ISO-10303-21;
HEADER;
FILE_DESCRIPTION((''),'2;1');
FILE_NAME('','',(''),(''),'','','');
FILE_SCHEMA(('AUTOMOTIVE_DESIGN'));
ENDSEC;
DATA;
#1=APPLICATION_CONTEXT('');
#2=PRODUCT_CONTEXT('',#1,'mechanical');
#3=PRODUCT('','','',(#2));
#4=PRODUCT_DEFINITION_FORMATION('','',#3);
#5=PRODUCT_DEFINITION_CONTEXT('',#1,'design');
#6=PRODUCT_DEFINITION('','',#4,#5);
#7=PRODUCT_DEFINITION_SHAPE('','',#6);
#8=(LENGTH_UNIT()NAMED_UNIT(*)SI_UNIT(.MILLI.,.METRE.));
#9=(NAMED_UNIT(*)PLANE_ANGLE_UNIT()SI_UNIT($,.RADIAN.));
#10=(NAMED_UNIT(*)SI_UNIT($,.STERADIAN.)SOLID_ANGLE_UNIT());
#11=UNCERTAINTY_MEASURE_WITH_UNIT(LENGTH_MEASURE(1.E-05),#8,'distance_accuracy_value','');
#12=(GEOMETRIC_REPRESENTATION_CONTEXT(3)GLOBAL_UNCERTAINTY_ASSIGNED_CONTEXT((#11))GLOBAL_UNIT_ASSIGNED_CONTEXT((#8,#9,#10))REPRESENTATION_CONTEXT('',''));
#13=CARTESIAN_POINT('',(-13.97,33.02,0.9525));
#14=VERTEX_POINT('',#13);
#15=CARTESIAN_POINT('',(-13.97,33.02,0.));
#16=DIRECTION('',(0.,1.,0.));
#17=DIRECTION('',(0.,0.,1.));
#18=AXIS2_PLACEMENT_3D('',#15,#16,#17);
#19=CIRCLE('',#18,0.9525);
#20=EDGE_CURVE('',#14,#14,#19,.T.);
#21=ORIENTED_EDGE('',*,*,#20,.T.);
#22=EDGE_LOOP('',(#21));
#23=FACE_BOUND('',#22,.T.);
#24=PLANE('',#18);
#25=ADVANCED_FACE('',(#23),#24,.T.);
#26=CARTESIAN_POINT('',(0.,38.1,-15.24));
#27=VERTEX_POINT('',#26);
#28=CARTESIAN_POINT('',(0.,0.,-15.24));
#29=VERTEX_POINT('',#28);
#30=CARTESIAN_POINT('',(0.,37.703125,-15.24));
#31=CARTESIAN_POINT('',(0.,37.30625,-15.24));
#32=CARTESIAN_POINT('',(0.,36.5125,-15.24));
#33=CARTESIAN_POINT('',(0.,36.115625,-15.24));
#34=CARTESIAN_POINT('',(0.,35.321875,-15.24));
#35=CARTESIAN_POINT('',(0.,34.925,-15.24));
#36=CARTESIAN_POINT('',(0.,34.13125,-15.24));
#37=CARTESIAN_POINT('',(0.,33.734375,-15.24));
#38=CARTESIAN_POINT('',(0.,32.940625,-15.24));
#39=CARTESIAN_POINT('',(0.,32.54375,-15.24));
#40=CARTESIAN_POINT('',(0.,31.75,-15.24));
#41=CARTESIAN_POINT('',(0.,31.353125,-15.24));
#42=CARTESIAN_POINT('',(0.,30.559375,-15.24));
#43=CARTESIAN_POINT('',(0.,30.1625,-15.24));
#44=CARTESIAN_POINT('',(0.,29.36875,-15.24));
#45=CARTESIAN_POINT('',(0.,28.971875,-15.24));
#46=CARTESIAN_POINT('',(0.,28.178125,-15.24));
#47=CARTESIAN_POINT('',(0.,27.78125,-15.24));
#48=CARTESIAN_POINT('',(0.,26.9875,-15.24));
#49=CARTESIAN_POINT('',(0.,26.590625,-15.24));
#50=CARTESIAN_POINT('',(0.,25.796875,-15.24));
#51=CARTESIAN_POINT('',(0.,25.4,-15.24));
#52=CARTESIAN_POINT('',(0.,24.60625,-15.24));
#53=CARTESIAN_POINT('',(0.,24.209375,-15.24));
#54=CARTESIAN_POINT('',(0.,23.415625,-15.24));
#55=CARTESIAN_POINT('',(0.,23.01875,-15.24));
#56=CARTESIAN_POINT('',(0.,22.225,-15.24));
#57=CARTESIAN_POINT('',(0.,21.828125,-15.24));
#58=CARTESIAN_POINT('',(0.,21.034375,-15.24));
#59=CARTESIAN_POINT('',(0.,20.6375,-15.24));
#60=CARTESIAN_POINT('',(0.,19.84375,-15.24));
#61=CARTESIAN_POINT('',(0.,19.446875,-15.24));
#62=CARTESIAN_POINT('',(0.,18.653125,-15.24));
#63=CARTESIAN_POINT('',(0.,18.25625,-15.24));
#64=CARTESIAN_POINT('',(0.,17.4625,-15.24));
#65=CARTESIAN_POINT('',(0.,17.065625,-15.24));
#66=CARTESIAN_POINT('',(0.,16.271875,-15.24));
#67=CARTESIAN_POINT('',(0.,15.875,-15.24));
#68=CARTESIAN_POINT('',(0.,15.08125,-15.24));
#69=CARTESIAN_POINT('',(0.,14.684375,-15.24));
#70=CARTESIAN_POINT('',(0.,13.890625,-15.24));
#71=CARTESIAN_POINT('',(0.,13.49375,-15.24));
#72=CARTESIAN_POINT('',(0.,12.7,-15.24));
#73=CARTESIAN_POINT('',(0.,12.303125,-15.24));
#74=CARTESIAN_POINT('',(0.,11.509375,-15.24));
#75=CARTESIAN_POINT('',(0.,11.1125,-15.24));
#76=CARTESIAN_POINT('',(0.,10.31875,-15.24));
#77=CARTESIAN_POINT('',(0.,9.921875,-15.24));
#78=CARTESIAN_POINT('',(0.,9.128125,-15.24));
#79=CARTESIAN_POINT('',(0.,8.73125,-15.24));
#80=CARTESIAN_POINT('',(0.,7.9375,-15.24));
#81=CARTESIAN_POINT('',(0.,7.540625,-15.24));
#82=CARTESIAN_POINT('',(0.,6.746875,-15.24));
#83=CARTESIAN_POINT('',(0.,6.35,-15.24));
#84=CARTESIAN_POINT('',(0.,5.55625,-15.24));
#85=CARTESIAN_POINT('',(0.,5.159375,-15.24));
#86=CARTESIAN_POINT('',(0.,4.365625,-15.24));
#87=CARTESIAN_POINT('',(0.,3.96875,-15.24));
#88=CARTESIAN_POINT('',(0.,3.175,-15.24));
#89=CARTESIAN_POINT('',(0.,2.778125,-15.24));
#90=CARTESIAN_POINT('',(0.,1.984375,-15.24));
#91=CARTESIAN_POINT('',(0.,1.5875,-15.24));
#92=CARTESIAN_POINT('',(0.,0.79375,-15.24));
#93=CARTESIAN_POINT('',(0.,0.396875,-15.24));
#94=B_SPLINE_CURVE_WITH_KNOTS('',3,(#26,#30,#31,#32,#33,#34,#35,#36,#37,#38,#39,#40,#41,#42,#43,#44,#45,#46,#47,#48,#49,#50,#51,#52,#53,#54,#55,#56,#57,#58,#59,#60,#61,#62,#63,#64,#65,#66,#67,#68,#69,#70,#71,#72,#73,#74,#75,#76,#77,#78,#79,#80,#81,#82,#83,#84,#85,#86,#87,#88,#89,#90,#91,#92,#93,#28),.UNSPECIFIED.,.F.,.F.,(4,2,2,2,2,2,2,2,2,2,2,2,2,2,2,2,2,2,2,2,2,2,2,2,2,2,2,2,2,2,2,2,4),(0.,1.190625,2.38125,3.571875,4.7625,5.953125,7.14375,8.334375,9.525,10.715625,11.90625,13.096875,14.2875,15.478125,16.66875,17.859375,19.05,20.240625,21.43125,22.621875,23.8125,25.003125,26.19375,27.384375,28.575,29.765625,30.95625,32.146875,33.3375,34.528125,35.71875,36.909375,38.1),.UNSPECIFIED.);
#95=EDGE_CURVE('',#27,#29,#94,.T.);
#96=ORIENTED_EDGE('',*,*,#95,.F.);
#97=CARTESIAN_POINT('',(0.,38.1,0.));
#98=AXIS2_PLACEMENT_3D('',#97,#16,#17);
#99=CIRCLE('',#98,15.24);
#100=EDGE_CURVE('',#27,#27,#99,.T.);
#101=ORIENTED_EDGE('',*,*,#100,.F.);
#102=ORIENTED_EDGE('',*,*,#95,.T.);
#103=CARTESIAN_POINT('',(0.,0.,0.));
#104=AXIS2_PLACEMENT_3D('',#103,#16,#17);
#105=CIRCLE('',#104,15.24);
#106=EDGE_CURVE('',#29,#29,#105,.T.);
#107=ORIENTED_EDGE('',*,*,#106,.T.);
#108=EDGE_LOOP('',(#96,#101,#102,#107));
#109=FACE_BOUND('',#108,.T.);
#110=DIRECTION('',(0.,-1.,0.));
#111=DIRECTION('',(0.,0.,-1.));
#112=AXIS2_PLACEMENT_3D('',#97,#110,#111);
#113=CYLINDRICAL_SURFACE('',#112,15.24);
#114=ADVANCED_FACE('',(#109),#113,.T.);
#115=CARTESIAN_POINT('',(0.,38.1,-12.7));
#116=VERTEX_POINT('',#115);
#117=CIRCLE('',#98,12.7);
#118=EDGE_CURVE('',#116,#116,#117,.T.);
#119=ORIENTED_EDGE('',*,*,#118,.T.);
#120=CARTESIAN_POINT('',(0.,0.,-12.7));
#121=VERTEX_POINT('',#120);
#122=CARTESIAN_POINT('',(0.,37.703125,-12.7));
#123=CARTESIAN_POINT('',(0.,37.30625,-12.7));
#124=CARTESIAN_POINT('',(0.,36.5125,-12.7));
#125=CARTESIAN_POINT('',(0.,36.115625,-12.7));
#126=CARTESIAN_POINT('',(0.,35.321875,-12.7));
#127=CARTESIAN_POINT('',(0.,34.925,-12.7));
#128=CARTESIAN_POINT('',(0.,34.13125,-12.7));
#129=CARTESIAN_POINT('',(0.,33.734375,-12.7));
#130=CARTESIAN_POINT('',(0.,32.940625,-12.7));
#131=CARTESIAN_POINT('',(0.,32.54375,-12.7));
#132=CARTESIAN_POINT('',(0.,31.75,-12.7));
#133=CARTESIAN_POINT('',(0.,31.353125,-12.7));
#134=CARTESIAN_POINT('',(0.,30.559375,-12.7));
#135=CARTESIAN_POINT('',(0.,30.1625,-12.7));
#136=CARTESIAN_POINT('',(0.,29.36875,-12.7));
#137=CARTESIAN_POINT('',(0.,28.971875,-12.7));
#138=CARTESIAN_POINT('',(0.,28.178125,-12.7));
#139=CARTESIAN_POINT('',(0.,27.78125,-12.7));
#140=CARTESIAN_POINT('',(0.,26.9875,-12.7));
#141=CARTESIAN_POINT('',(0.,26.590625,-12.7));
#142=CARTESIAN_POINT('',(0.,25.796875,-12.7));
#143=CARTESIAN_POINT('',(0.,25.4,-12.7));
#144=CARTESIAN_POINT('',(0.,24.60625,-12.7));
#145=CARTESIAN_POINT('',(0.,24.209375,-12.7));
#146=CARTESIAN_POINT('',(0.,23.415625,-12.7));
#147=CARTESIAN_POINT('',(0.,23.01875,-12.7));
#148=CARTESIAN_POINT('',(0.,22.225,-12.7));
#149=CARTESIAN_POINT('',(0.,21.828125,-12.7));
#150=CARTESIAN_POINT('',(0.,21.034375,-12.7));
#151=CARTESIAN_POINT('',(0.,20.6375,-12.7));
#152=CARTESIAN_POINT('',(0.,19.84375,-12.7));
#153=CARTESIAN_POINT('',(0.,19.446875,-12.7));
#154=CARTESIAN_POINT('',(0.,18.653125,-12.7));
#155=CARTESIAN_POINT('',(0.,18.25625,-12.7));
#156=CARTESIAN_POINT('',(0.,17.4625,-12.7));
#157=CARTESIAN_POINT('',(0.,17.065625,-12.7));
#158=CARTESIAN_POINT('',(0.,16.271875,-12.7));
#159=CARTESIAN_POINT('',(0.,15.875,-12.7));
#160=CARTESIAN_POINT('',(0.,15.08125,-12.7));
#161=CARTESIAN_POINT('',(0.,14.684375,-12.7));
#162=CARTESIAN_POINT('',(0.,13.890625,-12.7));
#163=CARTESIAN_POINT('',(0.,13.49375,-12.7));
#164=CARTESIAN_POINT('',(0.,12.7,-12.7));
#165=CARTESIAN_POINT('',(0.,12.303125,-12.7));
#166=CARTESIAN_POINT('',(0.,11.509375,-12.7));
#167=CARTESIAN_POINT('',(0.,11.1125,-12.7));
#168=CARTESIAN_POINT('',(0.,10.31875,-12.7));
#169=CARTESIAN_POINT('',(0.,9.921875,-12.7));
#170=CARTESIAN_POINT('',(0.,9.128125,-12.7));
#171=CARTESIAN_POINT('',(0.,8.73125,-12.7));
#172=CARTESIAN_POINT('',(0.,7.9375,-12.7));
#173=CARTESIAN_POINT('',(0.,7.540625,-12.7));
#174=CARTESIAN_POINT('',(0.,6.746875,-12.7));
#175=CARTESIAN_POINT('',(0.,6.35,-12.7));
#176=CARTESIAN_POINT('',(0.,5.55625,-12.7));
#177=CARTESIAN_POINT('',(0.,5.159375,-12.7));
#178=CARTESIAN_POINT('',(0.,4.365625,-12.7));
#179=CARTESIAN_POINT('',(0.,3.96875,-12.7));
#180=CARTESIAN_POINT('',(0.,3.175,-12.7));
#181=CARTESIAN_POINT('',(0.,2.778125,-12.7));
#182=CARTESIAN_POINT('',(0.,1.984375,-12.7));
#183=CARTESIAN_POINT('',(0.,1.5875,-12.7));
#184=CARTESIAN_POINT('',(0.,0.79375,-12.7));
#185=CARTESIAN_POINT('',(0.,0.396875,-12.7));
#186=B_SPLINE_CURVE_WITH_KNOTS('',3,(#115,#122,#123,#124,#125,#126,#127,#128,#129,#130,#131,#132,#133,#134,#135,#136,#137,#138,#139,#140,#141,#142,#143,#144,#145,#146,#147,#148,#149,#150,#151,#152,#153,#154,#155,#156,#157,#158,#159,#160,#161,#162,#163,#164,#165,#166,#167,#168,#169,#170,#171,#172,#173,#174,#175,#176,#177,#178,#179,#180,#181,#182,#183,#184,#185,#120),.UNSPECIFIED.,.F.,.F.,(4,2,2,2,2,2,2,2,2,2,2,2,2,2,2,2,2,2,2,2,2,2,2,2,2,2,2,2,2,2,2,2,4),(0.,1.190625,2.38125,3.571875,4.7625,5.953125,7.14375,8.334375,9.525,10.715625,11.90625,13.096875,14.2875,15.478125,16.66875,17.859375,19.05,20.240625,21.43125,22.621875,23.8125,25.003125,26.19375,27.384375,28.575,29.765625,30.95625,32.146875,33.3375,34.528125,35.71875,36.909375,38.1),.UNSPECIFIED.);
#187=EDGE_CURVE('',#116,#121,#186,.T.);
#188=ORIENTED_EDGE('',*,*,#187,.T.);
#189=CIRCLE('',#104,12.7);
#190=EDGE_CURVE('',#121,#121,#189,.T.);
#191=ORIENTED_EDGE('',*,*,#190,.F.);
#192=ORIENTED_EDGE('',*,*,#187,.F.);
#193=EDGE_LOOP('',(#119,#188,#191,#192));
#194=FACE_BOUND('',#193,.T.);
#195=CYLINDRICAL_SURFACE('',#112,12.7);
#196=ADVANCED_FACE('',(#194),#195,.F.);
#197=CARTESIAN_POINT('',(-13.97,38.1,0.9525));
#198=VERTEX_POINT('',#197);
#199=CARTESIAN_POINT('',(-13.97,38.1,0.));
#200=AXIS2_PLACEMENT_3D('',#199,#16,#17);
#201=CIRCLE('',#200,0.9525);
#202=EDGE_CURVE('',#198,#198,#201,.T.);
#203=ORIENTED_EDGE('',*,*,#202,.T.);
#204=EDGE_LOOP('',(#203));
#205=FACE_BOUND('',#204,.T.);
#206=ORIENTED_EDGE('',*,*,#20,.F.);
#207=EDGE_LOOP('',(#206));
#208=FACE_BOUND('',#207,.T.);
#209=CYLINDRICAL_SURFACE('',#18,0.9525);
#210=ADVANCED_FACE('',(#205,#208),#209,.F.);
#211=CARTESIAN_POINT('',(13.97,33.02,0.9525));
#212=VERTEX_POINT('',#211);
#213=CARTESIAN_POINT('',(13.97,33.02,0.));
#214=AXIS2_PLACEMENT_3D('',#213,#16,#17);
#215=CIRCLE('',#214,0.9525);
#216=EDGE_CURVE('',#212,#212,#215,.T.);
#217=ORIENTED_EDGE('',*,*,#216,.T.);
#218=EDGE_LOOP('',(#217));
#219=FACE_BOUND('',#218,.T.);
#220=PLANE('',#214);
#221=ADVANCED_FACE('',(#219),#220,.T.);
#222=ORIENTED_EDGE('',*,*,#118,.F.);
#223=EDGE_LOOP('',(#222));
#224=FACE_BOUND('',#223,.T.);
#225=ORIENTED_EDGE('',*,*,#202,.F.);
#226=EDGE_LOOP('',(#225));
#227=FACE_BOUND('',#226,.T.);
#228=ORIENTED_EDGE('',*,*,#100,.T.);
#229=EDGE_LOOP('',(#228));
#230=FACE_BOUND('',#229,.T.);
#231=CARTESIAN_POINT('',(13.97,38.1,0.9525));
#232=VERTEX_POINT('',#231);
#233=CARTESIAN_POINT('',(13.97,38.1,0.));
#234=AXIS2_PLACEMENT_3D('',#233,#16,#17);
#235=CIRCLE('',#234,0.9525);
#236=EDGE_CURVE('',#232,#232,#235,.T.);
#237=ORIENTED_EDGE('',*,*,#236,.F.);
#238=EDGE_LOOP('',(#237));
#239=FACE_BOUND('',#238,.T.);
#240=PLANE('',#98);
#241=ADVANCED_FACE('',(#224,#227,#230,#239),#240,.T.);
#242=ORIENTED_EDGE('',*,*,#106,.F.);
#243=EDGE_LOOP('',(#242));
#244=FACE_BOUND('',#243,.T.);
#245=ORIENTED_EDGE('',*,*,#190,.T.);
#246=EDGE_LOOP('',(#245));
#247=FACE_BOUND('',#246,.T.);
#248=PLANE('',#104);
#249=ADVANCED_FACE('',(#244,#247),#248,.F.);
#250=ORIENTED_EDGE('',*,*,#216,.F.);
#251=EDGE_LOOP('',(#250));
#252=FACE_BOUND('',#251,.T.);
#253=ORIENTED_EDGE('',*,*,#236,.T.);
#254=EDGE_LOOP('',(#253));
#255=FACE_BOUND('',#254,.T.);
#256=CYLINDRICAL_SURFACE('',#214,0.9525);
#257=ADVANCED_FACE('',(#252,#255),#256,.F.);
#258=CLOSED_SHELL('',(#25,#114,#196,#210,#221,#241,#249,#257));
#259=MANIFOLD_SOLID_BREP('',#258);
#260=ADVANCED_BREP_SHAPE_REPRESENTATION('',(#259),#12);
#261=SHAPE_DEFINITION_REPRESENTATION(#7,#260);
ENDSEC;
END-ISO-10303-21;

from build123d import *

# Parameters (mm, degrees)
SKETCH1_R           = 15.24
SKETCH1_R_2         = 12.7
BOSS_EXTRUDE1_DEPTH = 38.1
SKETCH2_R           = 0.9525
CUT_EXTRUDE1_DEPTH  = 5.08


with BuildPart() as part:
    # Sketch1 → Boss-Extrude1 (new body)
    with BuildSketch(Plane(origin=(0, 0, 0), x_dir=(1, 0, 0), z_dir=(0, 1, 0))):
        with Locations(Location((0, 0, 0), (0, 0, 90))):
            Circle(SKETCH1_R)
        with Locations(Location((0, 0, 0), (0, 0, 90))):
            Circle(SKETCH1_R_2, mode=Mode.SUBTRACT)
    extrude(amount=BOSS_EXTRUDE1_DEPTH)

    # Sketch2 → Cut-Extrude1 (cut)
    with BuildSketch(Plane(origin=(0, 38.1, 0), x_dir=(1, 0, 0), z_dir=(0, 1, 0))):
        with Locations(Location((-13.97, 0, 0), (0, 0, 270))):
            Circle(SKETCH2_R)
        with Locations(Location((13.97, 0, 0), (0, 0, 270))):
            Circle(SKETCH2_R)
    extrude(amount=-CUT_EXTRUDE1_DEPTH, mode=Mode.SUBTRACT)


solid = part.part
